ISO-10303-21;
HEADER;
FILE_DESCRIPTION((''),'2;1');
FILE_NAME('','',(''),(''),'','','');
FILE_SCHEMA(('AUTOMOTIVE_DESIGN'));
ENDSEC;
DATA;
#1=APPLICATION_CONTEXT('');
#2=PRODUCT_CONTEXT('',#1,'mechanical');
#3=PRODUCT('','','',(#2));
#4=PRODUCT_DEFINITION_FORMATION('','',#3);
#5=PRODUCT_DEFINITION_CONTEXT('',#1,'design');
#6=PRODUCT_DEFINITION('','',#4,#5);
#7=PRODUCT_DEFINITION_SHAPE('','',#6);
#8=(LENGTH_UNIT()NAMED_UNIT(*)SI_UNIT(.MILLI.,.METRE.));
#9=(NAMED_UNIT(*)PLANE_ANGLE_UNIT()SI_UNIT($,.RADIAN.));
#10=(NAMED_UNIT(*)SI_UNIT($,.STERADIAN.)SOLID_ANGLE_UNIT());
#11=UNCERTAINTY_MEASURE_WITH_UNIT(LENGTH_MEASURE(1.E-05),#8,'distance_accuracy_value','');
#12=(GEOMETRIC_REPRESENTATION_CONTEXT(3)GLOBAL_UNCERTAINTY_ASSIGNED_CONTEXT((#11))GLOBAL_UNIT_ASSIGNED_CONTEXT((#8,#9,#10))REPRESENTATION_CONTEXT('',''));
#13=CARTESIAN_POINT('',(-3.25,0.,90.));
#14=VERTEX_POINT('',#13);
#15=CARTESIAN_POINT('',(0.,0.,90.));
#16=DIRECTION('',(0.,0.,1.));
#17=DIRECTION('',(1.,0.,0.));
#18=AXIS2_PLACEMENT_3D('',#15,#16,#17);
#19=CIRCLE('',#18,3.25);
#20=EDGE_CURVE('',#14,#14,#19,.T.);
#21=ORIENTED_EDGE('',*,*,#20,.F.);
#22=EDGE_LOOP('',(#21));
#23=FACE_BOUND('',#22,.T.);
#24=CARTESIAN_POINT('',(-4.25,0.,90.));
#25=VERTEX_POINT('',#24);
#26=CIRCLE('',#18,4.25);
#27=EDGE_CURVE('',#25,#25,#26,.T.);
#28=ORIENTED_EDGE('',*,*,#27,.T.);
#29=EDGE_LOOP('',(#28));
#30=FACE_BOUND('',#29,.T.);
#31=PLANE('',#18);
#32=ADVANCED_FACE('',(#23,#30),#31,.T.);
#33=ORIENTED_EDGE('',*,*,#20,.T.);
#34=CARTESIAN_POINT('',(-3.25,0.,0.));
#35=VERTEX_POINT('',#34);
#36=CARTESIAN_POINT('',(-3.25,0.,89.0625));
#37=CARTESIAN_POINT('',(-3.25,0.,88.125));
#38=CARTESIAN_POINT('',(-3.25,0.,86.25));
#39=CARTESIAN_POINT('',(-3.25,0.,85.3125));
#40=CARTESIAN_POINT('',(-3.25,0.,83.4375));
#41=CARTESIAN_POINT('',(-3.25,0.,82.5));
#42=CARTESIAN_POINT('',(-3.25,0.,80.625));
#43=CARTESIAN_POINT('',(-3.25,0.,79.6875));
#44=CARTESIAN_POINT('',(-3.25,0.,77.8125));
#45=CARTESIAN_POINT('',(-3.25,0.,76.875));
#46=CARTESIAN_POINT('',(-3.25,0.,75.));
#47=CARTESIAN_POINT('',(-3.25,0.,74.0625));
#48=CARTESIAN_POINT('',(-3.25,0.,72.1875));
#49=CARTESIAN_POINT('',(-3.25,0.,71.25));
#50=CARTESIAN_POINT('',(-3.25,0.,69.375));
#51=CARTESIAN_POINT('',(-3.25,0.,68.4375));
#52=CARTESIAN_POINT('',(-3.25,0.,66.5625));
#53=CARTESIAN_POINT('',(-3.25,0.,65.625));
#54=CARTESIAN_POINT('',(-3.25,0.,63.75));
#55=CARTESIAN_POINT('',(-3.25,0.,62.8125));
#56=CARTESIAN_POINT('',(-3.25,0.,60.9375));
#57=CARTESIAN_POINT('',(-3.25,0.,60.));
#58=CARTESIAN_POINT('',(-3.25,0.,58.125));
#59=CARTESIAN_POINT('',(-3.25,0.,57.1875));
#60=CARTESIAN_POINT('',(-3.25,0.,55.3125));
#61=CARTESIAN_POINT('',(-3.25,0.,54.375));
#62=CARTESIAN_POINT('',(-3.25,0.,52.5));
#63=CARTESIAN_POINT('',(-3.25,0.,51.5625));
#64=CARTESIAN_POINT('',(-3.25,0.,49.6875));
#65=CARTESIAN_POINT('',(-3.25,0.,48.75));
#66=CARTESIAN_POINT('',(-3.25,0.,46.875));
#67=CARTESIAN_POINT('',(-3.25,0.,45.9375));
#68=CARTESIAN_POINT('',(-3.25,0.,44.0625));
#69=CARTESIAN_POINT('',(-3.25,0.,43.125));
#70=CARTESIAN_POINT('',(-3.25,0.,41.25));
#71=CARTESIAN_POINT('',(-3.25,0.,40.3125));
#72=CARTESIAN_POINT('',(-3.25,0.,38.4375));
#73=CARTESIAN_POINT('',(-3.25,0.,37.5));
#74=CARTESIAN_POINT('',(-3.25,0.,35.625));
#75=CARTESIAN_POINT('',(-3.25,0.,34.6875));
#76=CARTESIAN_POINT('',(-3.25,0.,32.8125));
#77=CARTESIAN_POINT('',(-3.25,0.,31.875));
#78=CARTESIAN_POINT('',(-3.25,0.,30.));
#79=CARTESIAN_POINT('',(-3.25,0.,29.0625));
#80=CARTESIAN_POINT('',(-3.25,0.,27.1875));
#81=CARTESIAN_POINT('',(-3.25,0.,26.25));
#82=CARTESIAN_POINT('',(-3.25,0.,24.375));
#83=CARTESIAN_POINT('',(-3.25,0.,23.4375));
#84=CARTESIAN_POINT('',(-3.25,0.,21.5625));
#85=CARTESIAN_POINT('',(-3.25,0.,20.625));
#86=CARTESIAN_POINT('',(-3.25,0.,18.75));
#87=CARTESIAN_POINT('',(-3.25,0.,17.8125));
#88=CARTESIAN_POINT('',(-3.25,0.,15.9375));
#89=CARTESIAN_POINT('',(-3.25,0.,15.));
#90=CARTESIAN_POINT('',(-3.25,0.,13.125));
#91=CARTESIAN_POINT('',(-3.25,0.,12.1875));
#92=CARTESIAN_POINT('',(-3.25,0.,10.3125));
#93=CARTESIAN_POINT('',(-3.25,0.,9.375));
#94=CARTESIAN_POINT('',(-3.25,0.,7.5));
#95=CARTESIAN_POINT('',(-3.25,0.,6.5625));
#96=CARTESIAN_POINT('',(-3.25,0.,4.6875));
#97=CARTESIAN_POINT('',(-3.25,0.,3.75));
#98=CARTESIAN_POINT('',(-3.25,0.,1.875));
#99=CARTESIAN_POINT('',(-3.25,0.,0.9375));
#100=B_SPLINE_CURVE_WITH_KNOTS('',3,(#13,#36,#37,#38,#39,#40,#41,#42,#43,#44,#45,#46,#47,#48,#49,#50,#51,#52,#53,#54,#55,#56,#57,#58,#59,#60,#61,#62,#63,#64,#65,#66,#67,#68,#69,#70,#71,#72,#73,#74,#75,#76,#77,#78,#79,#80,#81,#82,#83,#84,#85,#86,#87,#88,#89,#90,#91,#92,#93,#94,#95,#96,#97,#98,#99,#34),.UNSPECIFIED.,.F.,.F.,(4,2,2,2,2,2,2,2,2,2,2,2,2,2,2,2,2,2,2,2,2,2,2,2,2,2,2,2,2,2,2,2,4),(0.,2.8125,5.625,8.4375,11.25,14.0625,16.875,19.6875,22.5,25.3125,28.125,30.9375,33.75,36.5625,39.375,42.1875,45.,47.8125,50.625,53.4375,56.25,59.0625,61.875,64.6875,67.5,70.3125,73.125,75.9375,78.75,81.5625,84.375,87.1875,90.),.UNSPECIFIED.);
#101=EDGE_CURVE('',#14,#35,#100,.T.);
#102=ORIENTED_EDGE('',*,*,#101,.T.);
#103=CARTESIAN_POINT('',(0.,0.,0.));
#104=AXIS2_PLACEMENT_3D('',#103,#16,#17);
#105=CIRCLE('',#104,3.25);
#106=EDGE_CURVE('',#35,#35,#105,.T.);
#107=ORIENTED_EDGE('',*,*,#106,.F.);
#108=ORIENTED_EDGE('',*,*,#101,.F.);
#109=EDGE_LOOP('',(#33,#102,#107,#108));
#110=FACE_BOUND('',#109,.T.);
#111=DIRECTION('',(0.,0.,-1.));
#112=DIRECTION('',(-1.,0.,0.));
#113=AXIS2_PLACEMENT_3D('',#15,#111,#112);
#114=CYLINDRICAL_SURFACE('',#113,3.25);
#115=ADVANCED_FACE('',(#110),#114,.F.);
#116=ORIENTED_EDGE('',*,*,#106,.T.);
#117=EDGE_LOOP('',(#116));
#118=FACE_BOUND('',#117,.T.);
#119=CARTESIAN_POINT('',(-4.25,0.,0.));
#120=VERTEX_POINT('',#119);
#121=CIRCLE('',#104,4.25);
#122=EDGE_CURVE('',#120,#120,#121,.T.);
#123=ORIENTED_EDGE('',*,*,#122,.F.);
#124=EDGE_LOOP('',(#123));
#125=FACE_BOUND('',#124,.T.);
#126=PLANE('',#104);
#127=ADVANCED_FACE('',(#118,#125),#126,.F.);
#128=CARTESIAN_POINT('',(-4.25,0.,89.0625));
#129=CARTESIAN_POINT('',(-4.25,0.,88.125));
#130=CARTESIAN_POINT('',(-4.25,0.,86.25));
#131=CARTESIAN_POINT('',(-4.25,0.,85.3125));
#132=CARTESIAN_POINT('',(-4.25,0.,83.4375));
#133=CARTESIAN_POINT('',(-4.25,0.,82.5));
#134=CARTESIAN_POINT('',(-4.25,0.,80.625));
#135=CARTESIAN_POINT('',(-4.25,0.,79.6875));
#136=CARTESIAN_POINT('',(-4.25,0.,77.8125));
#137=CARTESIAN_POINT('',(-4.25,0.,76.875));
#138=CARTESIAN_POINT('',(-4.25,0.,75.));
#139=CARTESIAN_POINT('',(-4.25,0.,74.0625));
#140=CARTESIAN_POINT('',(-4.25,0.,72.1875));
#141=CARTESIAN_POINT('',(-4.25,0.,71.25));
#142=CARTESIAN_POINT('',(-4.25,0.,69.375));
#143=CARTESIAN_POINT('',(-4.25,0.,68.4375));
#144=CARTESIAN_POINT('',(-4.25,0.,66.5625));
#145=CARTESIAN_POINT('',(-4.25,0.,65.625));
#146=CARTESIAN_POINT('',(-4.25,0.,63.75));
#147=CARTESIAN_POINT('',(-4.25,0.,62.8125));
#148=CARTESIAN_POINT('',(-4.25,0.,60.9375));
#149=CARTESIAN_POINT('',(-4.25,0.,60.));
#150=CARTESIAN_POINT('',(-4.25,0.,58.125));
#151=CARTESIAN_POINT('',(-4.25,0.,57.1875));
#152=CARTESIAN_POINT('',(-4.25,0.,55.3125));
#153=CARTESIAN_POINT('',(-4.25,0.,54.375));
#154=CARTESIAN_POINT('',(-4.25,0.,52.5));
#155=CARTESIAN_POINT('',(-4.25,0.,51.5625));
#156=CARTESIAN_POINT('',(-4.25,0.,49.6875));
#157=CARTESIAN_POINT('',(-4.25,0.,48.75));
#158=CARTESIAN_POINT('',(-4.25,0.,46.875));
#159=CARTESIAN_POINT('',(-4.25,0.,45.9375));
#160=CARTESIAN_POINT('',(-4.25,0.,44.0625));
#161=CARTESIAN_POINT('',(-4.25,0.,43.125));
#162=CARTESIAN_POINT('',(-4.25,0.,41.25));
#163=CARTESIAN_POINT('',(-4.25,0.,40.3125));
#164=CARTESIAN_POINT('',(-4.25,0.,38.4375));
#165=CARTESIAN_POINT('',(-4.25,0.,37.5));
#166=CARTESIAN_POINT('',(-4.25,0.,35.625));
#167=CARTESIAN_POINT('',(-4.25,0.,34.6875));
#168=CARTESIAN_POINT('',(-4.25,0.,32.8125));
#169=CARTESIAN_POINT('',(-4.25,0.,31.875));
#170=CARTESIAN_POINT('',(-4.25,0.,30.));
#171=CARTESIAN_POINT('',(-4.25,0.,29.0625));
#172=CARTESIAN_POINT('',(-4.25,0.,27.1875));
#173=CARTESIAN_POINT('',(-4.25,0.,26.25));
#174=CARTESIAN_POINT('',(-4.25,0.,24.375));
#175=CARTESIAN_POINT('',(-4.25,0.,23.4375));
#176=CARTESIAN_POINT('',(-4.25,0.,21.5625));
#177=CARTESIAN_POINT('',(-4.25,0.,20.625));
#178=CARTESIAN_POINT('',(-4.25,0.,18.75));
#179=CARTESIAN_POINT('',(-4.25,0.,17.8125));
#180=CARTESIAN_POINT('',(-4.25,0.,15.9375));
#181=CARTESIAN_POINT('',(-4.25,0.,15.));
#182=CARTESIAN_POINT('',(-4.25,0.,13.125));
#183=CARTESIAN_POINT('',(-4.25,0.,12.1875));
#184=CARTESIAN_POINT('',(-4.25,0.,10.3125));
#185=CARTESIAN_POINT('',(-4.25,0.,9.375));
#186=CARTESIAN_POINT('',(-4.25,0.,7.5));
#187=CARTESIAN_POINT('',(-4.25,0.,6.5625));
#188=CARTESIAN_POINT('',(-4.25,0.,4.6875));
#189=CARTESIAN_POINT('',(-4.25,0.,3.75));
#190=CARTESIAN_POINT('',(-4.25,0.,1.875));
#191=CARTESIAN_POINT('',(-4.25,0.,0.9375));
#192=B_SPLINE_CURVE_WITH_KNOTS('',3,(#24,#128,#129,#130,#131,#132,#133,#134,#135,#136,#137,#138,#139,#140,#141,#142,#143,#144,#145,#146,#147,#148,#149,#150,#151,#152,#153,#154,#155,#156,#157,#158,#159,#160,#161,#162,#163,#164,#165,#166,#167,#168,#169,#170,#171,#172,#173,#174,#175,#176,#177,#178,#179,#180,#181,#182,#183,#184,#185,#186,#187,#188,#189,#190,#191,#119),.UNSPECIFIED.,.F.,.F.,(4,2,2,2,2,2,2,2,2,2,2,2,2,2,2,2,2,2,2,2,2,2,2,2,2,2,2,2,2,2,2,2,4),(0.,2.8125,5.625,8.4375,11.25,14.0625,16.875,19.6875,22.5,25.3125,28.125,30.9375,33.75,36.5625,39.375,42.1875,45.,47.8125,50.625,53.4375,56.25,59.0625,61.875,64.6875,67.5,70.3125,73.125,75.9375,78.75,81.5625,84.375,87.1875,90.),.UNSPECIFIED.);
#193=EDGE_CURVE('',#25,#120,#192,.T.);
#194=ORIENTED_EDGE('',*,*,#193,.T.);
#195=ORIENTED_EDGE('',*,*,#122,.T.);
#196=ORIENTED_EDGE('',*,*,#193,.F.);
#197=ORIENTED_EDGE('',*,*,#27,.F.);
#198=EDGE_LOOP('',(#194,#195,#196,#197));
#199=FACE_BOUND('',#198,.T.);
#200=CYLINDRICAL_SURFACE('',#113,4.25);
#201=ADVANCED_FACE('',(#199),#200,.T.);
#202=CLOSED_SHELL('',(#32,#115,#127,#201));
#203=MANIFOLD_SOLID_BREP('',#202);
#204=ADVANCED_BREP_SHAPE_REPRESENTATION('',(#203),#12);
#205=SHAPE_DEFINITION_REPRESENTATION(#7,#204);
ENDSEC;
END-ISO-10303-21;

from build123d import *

# Parameters (mm, degrees)
SCHIZZO1_R                   = 4.25
SCHIZZO1_R_2                 = 3.25
ESTRUSIONE_ESTRUSIONE1_DEPTH = 90


with BuildPart() as part:
    # Schizzo1 → Estrusione-Estrusione1 (new body)
    with BuildSketch(Plane.XY):
        with Locations(Location((0, 0, 0), (0, 0, 180))):
            Circle(SCHIZZO1_R)
        with Locations(Location((0, 0, 0), (0, 0, 180))):
            Circle(SCHIZZO1_R_2, mode=Mode.SUBTRACT)
    extrude(amount=ESTRUSIONE_ESTRUSIONE1_DEPTH)


solid = part.part
